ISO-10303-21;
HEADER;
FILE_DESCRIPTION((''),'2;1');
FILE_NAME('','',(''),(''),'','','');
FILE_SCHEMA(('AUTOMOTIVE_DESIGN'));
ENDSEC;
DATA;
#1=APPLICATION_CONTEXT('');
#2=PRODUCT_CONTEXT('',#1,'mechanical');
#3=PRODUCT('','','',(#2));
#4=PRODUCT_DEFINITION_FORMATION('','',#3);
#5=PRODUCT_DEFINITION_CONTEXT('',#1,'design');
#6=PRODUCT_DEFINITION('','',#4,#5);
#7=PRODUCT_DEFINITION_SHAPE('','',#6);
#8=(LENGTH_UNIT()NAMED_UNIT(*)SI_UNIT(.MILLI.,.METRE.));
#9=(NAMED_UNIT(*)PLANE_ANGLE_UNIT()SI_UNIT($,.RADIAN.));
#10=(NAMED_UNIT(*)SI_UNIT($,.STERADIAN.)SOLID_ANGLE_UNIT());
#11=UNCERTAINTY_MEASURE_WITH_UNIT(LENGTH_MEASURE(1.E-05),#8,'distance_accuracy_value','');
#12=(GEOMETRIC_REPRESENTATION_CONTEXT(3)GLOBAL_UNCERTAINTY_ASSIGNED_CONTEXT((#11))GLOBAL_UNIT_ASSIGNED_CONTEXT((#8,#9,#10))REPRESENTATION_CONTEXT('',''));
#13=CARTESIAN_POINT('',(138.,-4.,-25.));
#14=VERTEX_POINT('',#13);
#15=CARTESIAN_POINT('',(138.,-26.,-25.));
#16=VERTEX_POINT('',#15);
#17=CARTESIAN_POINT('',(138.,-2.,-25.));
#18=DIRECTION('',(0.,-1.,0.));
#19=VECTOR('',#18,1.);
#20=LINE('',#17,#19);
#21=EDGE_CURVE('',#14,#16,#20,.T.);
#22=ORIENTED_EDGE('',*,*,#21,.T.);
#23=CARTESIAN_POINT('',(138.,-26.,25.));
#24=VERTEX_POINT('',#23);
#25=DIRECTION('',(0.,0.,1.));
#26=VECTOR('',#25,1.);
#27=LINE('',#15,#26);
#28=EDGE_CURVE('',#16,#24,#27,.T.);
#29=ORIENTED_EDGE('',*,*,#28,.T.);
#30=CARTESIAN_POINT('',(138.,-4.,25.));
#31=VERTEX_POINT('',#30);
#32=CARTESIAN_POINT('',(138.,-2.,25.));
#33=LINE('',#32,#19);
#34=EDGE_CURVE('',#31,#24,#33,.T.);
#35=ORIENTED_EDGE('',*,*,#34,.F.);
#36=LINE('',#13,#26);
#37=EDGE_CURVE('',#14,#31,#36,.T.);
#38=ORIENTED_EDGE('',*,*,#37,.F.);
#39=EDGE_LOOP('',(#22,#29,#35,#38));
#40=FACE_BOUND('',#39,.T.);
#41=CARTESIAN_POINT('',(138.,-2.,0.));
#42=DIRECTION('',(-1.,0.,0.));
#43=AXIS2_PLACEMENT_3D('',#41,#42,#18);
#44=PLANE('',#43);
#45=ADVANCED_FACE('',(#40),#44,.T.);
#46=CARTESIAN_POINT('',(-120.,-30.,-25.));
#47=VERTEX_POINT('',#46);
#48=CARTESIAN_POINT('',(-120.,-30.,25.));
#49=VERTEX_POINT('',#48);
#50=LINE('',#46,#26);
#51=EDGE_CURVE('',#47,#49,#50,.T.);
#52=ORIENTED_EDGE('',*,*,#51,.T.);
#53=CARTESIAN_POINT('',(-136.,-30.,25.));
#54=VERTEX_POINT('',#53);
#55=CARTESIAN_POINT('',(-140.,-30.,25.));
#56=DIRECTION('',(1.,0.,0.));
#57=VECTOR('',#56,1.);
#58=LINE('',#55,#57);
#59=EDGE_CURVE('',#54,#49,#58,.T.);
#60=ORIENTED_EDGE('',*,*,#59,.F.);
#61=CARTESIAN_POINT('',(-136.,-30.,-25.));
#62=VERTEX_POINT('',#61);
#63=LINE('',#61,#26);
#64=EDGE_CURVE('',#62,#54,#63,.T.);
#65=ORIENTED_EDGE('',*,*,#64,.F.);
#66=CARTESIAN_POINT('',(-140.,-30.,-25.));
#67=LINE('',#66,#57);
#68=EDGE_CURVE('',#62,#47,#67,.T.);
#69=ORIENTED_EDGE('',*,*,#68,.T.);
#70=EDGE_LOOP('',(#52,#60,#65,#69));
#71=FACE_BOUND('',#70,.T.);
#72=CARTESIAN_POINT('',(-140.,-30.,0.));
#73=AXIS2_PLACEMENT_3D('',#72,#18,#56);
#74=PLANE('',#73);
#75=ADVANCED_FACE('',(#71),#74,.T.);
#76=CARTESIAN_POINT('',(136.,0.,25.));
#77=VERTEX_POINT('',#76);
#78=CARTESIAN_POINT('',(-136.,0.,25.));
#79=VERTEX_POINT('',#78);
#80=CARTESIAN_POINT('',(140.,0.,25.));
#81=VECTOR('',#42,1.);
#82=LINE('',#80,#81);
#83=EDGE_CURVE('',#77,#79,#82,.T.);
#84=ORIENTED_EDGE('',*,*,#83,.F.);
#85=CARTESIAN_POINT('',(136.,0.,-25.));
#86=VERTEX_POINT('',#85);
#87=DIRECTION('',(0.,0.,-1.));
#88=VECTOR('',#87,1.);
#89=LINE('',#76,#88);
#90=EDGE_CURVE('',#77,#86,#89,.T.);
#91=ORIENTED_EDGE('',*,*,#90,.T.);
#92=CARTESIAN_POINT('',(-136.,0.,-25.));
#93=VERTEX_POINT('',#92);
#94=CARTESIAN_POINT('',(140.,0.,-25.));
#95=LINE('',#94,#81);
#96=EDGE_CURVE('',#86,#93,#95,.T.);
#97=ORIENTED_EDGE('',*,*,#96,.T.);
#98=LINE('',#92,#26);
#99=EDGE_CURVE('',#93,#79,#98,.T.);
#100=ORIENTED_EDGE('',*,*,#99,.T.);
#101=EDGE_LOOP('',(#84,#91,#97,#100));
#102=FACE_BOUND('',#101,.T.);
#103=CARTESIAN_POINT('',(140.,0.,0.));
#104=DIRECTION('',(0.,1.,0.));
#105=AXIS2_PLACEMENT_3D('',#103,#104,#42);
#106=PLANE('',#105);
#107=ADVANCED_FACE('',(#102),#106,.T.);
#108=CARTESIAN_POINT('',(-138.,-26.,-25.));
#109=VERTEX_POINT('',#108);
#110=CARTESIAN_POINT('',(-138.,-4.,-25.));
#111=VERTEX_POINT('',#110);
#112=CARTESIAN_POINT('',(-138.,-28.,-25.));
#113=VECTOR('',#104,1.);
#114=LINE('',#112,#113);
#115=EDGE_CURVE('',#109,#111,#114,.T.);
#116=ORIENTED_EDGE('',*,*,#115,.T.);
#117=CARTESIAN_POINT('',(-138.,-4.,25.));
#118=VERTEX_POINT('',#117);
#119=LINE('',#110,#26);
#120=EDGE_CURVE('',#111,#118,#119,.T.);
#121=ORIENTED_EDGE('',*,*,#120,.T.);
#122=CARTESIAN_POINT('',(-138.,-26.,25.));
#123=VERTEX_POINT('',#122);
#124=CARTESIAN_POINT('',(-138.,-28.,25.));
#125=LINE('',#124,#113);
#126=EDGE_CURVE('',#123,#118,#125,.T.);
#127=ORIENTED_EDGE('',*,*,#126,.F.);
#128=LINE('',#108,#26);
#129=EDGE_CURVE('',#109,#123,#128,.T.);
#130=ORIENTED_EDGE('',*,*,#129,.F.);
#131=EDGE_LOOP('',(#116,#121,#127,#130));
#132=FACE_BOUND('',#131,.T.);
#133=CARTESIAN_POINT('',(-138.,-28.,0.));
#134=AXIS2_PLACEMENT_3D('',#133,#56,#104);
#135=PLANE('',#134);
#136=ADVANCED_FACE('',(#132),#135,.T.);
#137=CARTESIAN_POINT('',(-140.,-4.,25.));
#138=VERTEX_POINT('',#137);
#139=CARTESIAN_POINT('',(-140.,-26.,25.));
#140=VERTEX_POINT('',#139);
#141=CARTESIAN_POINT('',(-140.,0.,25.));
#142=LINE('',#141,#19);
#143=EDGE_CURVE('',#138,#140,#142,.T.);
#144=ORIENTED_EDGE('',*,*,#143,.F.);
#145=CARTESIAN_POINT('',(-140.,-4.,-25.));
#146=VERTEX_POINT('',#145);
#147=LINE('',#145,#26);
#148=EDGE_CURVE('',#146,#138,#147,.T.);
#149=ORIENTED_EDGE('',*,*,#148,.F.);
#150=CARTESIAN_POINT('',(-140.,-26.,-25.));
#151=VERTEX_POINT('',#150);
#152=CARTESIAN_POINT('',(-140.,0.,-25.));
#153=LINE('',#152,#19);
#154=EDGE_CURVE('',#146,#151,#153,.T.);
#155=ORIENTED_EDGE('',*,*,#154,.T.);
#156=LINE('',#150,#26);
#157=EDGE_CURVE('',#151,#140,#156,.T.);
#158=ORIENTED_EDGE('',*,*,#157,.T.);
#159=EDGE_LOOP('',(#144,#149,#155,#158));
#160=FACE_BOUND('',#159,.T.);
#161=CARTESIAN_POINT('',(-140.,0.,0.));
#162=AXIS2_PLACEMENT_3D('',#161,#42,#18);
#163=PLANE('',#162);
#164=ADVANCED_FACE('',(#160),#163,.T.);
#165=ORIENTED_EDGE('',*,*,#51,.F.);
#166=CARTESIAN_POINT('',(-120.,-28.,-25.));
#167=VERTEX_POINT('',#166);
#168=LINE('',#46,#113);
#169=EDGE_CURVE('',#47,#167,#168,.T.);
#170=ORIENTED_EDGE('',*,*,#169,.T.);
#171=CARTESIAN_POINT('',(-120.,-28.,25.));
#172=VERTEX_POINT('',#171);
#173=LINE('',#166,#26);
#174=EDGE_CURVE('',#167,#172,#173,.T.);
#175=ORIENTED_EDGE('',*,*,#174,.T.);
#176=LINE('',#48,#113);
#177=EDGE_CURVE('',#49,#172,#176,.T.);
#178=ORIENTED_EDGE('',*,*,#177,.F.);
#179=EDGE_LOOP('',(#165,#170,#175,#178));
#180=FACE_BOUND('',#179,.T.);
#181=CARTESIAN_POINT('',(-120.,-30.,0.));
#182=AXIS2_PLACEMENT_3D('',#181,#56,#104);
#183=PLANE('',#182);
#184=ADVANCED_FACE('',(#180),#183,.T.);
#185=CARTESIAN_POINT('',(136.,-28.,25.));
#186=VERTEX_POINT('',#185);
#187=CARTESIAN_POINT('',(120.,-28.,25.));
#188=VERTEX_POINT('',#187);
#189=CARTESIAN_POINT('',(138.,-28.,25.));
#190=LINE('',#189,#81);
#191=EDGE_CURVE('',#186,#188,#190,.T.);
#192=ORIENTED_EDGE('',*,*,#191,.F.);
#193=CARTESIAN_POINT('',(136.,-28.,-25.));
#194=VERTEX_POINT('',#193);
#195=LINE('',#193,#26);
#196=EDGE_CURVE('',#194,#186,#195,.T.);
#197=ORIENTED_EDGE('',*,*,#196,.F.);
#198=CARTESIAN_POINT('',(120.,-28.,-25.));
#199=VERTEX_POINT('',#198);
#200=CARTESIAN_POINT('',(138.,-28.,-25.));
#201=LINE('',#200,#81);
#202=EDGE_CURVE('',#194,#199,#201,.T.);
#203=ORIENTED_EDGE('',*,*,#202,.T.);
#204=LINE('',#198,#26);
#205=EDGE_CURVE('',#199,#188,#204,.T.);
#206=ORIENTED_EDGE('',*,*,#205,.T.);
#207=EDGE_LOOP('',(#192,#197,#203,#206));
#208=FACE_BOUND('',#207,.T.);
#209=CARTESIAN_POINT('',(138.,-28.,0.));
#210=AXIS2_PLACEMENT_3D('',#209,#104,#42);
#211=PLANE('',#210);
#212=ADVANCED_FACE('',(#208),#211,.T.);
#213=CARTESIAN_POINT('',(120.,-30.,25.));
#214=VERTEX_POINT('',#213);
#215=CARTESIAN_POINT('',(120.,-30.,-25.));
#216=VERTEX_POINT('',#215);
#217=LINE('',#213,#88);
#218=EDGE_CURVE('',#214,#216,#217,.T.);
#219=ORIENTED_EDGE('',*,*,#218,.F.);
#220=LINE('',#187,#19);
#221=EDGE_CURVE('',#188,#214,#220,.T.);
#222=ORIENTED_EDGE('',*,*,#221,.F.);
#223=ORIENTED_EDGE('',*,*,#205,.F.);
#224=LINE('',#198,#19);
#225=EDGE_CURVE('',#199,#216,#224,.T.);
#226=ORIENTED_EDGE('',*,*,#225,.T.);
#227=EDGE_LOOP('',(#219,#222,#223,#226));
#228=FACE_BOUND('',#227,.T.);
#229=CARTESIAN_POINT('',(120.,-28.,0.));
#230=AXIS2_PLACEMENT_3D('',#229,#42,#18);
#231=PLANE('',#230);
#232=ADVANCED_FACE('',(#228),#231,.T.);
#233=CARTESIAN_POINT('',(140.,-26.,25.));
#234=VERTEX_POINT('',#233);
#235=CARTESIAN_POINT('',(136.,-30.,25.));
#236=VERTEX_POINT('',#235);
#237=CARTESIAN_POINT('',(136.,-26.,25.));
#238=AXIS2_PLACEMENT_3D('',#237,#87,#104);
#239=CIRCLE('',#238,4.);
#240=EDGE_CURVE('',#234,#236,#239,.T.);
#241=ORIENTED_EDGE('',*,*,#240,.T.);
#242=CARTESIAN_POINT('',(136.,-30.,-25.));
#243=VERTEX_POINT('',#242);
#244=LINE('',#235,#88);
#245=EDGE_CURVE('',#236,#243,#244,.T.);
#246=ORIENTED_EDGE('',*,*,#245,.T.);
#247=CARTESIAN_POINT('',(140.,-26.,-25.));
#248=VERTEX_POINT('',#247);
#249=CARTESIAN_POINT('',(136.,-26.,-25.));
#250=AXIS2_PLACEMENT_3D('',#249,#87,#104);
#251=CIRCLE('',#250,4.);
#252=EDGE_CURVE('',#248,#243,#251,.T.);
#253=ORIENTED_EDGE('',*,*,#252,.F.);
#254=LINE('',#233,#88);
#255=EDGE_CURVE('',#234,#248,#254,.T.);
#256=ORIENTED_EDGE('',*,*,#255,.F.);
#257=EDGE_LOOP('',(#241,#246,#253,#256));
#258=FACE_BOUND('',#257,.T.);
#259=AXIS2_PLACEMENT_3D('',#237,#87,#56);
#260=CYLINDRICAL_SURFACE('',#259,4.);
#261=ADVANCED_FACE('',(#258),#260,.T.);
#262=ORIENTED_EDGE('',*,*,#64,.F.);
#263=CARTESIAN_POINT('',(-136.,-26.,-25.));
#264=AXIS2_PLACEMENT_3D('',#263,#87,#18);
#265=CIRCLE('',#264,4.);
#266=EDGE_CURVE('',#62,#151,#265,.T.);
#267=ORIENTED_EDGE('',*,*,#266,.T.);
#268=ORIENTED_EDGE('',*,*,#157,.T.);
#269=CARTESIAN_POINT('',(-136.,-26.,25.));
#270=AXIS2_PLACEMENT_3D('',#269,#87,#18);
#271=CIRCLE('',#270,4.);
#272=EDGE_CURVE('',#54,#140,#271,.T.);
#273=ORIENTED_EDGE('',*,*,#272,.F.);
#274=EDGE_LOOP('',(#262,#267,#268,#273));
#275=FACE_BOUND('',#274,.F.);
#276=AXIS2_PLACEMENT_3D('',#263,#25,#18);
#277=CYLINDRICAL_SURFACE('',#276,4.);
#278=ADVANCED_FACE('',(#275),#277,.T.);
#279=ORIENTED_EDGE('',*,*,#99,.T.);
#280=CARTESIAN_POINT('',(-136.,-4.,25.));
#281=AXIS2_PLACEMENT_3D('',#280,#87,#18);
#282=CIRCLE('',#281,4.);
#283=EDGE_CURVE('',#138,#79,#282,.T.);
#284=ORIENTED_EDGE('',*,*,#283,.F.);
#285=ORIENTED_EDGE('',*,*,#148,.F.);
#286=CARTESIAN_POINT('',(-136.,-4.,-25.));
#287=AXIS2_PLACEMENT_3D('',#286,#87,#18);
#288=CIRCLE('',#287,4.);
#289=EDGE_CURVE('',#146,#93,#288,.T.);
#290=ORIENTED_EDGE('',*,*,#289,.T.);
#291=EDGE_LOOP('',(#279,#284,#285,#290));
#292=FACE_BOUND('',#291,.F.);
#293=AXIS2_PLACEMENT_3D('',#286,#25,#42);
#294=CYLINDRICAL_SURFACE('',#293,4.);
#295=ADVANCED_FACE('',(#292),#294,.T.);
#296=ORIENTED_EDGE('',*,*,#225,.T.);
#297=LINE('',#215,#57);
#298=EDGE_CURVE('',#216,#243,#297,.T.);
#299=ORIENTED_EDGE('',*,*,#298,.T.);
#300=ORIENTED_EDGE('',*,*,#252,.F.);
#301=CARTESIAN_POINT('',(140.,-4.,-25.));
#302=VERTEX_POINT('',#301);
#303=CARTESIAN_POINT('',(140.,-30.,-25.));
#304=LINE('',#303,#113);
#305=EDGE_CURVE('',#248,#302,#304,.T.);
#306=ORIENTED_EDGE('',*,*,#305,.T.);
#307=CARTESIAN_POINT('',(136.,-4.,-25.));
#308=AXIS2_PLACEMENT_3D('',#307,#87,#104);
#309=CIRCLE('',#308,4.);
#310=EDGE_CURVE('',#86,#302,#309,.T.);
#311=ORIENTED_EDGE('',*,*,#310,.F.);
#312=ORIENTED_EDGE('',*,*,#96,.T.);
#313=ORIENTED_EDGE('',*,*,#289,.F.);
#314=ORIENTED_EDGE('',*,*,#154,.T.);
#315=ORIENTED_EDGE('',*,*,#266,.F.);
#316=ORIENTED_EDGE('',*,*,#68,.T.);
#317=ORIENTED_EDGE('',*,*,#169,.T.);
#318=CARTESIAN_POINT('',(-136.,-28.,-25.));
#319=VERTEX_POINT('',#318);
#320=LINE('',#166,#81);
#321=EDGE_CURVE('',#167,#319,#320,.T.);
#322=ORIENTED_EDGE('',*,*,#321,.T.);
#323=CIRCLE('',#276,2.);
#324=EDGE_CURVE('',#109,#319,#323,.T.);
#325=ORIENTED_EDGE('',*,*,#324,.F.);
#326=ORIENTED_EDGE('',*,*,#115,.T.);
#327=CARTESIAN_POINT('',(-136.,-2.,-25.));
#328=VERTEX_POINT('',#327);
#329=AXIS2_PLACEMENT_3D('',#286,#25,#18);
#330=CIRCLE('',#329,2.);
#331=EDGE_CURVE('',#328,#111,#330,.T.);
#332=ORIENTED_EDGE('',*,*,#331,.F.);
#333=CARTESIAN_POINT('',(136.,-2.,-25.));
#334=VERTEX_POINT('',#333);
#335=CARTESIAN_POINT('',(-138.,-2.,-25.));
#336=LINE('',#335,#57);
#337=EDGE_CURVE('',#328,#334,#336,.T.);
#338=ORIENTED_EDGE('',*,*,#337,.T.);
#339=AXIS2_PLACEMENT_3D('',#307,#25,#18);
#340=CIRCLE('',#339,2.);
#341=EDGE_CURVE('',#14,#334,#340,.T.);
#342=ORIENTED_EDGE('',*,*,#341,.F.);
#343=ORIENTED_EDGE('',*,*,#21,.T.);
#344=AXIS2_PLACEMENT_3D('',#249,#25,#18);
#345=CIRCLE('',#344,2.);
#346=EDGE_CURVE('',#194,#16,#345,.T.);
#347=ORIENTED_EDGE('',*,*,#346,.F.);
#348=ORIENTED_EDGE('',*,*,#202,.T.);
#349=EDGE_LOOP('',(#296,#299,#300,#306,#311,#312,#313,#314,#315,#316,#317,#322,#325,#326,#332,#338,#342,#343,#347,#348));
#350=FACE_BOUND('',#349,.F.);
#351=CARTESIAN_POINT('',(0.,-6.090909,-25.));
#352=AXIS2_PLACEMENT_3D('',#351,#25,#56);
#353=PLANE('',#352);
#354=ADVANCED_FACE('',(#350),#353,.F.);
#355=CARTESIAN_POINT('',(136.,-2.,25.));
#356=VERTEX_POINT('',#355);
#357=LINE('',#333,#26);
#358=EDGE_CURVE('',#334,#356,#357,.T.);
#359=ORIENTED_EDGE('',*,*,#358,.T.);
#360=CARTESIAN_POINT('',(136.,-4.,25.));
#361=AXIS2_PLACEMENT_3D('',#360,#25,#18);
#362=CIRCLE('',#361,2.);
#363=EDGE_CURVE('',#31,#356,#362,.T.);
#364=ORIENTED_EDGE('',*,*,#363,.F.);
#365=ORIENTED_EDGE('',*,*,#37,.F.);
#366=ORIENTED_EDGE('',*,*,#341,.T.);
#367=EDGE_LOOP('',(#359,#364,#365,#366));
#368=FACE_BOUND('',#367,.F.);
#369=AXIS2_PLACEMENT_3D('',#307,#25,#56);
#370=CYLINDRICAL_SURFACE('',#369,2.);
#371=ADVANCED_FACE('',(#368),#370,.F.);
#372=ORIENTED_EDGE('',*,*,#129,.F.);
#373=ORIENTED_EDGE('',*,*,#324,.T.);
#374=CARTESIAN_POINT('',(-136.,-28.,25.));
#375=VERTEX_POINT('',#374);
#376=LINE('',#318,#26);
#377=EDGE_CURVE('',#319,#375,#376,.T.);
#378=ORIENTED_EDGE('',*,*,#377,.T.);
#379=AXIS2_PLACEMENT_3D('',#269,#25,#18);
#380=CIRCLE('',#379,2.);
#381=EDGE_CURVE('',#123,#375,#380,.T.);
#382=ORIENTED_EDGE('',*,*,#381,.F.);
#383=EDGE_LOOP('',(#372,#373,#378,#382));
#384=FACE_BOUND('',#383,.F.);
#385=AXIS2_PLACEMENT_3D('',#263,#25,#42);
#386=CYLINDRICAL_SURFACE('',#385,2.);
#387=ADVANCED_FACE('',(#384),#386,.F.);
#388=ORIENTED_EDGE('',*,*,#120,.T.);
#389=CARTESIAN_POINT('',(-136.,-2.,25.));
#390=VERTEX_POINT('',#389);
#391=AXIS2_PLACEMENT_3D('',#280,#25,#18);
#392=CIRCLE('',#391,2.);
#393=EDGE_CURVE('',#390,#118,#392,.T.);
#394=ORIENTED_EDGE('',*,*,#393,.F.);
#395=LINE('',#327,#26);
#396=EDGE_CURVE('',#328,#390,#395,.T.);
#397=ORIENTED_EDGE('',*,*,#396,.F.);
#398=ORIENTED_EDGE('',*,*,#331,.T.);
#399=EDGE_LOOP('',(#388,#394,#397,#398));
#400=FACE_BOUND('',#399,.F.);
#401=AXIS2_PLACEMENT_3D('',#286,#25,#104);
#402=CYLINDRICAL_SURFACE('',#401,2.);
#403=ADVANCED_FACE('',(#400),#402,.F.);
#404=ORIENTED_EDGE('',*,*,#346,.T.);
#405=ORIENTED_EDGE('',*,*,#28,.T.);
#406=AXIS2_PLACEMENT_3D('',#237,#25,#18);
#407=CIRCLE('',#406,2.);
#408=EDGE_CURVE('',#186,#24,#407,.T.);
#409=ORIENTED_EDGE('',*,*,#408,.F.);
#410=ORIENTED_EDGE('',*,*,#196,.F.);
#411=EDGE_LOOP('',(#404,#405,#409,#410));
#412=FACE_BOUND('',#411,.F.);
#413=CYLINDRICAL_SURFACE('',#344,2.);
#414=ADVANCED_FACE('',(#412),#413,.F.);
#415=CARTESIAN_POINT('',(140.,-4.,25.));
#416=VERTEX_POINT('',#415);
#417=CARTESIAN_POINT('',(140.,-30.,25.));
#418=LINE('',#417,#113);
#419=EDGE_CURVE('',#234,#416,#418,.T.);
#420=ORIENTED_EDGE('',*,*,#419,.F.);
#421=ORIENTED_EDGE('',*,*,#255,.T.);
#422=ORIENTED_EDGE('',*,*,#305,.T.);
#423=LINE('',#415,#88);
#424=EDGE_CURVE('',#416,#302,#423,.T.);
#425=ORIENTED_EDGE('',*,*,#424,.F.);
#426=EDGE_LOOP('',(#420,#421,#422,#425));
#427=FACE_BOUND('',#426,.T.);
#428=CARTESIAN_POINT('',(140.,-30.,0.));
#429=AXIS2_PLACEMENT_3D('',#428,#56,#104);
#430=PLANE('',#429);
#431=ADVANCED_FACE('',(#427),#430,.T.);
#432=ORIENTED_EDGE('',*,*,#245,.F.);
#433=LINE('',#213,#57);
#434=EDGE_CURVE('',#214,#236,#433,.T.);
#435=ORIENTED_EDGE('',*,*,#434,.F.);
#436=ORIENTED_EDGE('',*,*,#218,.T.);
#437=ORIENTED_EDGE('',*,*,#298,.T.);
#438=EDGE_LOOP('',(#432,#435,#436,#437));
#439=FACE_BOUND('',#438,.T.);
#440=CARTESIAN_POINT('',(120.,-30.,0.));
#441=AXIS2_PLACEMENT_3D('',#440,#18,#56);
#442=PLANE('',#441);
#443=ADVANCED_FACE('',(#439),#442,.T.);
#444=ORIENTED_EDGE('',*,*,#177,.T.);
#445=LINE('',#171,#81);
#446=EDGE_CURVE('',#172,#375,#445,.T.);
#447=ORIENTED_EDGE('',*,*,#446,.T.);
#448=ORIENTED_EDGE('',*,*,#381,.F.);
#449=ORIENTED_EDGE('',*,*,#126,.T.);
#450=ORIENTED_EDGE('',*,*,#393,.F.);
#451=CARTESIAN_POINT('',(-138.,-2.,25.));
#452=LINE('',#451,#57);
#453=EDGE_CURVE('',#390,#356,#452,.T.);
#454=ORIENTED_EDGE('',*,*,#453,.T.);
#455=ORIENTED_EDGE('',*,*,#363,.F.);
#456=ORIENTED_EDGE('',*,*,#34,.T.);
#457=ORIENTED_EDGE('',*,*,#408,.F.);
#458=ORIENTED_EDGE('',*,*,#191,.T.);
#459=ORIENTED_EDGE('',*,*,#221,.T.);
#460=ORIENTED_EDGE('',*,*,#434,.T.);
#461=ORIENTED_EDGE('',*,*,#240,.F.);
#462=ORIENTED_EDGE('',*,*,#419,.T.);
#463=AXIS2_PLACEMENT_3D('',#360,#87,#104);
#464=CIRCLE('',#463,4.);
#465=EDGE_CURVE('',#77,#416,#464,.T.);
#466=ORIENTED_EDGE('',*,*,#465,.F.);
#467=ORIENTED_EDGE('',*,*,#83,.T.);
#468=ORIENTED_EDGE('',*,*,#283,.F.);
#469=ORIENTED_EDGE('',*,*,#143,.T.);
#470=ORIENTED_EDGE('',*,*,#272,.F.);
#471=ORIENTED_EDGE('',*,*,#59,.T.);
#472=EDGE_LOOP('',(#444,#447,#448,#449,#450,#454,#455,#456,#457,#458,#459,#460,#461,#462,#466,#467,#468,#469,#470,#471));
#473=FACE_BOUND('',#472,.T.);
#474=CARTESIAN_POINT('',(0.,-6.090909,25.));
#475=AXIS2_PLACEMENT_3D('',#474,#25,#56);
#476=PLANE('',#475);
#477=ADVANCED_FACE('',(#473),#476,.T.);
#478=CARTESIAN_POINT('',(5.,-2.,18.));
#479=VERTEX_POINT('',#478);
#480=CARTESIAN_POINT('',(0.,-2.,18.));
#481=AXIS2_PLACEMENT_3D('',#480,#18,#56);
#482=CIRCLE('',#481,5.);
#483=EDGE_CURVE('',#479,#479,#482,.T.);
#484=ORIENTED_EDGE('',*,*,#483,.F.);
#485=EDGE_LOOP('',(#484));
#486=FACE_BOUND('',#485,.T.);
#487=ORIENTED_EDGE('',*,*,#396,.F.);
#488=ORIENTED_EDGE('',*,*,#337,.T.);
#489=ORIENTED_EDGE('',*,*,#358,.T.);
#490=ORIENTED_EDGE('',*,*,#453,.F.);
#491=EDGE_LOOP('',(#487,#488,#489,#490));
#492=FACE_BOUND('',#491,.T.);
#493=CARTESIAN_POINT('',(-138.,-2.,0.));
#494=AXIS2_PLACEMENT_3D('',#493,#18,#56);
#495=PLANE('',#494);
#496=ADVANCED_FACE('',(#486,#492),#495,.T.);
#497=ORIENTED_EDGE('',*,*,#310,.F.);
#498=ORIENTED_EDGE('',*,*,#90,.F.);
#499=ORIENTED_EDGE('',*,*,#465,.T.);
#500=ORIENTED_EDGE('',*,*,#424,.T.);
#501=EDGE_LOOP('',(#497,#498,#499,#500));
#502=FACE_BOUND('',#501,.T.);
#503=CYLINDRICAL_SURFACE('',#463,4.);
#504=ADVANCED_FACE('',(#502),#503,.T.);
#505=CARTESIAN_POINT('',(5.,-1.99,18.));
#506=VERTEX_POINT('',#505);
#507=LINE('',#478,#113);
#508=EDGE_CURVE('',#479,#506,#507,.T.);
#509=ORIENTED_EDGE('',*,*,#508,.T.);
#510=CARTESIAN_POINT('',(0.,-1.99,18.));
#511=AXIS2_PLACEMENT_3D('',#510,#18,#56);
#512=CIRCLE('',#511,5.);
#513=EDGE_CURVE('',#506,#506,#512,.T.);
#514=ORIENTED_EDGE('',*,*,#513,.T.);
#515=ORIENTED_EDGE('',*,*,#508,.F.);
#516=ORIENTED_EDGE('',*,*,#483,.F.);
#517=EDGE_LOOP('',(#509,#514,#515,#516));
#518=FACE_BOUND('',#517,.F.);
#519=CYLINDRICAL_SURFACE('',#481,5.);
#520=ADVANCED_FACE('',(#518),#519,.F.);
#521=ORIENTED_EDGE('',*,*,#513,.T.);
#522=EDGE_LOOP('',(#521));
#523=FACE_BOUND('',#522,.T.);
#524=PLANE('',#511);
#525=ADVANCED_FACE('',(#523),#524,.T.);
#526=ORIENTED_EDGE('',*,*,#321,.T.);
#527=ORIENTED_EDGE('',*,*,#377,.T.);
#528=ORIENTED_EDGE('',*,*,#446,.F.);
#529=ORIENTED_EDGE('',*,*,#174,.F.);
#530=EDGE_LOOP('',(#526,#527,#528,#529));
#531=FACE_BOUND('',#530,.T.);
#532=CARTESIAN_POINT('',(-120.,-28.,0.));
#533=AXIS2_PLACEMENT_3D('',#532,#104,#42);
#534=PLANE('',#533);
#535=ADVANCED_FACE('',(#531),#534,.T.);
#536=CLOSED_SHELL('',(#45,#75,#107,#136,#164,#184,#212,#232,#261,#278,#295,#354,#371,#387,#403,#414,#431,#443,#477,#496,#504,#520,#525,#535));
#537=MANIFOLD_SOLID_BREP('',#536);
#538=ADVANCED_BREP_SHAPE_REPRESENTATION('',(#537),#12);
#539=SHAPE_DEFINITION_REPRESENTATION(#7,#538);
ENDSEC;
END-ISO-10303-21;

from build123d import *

# Parameters (mm, degrees)
F1_DEPTH = 25
F2_R     = 2
F3_R     = 4
F4_R     = 5
F5_DEPTH = 0.01


with BuildPart() as f1:
    # F0 (on Top) → F1 (new body, symmetric)
    with BuildSketch(Plane.XY):
        Polygon((140, 0), (0, 0), (-140, 0), (-140, -30), (-120, -30), (-120, -28), (-138, -28), (-138, -2), (0, -2), (138, -2), (138, -28), (120, -28), (120, -30), (140, -30), align=None)
    extrude(amount=F1_DEPTH, both=True)

    # F2
    f2_edges = [f1.edges().sort_by_distance(p)[0] for p in [
        (-138, -28, 0),
        (-138, -2, 0),
        (138, -28, 0),
        (138, -2, 0),
    ]]
    fillet(f2_edges, radius=F2_R)

    # F3
    f3_edges = [f1.edges().sort_by_distance(p)[0] for p in [
        (-140, -30, 0),
        (-140, 0, 0),
        (140, -30, 0),
        (140, 0, 0),
    ]]
    fillet(f3_edges, radius=F3_R)

    # F4 (on face) → F5 (cut)
    with BuildSketch(Plane.XZ.offset(2)):
        with Locations((0, 18)):
            Circle(F4_R)
    extrude(amount=-F5_DEPTH, mode=Mode.SUBTRACT)


solid = f1.part
